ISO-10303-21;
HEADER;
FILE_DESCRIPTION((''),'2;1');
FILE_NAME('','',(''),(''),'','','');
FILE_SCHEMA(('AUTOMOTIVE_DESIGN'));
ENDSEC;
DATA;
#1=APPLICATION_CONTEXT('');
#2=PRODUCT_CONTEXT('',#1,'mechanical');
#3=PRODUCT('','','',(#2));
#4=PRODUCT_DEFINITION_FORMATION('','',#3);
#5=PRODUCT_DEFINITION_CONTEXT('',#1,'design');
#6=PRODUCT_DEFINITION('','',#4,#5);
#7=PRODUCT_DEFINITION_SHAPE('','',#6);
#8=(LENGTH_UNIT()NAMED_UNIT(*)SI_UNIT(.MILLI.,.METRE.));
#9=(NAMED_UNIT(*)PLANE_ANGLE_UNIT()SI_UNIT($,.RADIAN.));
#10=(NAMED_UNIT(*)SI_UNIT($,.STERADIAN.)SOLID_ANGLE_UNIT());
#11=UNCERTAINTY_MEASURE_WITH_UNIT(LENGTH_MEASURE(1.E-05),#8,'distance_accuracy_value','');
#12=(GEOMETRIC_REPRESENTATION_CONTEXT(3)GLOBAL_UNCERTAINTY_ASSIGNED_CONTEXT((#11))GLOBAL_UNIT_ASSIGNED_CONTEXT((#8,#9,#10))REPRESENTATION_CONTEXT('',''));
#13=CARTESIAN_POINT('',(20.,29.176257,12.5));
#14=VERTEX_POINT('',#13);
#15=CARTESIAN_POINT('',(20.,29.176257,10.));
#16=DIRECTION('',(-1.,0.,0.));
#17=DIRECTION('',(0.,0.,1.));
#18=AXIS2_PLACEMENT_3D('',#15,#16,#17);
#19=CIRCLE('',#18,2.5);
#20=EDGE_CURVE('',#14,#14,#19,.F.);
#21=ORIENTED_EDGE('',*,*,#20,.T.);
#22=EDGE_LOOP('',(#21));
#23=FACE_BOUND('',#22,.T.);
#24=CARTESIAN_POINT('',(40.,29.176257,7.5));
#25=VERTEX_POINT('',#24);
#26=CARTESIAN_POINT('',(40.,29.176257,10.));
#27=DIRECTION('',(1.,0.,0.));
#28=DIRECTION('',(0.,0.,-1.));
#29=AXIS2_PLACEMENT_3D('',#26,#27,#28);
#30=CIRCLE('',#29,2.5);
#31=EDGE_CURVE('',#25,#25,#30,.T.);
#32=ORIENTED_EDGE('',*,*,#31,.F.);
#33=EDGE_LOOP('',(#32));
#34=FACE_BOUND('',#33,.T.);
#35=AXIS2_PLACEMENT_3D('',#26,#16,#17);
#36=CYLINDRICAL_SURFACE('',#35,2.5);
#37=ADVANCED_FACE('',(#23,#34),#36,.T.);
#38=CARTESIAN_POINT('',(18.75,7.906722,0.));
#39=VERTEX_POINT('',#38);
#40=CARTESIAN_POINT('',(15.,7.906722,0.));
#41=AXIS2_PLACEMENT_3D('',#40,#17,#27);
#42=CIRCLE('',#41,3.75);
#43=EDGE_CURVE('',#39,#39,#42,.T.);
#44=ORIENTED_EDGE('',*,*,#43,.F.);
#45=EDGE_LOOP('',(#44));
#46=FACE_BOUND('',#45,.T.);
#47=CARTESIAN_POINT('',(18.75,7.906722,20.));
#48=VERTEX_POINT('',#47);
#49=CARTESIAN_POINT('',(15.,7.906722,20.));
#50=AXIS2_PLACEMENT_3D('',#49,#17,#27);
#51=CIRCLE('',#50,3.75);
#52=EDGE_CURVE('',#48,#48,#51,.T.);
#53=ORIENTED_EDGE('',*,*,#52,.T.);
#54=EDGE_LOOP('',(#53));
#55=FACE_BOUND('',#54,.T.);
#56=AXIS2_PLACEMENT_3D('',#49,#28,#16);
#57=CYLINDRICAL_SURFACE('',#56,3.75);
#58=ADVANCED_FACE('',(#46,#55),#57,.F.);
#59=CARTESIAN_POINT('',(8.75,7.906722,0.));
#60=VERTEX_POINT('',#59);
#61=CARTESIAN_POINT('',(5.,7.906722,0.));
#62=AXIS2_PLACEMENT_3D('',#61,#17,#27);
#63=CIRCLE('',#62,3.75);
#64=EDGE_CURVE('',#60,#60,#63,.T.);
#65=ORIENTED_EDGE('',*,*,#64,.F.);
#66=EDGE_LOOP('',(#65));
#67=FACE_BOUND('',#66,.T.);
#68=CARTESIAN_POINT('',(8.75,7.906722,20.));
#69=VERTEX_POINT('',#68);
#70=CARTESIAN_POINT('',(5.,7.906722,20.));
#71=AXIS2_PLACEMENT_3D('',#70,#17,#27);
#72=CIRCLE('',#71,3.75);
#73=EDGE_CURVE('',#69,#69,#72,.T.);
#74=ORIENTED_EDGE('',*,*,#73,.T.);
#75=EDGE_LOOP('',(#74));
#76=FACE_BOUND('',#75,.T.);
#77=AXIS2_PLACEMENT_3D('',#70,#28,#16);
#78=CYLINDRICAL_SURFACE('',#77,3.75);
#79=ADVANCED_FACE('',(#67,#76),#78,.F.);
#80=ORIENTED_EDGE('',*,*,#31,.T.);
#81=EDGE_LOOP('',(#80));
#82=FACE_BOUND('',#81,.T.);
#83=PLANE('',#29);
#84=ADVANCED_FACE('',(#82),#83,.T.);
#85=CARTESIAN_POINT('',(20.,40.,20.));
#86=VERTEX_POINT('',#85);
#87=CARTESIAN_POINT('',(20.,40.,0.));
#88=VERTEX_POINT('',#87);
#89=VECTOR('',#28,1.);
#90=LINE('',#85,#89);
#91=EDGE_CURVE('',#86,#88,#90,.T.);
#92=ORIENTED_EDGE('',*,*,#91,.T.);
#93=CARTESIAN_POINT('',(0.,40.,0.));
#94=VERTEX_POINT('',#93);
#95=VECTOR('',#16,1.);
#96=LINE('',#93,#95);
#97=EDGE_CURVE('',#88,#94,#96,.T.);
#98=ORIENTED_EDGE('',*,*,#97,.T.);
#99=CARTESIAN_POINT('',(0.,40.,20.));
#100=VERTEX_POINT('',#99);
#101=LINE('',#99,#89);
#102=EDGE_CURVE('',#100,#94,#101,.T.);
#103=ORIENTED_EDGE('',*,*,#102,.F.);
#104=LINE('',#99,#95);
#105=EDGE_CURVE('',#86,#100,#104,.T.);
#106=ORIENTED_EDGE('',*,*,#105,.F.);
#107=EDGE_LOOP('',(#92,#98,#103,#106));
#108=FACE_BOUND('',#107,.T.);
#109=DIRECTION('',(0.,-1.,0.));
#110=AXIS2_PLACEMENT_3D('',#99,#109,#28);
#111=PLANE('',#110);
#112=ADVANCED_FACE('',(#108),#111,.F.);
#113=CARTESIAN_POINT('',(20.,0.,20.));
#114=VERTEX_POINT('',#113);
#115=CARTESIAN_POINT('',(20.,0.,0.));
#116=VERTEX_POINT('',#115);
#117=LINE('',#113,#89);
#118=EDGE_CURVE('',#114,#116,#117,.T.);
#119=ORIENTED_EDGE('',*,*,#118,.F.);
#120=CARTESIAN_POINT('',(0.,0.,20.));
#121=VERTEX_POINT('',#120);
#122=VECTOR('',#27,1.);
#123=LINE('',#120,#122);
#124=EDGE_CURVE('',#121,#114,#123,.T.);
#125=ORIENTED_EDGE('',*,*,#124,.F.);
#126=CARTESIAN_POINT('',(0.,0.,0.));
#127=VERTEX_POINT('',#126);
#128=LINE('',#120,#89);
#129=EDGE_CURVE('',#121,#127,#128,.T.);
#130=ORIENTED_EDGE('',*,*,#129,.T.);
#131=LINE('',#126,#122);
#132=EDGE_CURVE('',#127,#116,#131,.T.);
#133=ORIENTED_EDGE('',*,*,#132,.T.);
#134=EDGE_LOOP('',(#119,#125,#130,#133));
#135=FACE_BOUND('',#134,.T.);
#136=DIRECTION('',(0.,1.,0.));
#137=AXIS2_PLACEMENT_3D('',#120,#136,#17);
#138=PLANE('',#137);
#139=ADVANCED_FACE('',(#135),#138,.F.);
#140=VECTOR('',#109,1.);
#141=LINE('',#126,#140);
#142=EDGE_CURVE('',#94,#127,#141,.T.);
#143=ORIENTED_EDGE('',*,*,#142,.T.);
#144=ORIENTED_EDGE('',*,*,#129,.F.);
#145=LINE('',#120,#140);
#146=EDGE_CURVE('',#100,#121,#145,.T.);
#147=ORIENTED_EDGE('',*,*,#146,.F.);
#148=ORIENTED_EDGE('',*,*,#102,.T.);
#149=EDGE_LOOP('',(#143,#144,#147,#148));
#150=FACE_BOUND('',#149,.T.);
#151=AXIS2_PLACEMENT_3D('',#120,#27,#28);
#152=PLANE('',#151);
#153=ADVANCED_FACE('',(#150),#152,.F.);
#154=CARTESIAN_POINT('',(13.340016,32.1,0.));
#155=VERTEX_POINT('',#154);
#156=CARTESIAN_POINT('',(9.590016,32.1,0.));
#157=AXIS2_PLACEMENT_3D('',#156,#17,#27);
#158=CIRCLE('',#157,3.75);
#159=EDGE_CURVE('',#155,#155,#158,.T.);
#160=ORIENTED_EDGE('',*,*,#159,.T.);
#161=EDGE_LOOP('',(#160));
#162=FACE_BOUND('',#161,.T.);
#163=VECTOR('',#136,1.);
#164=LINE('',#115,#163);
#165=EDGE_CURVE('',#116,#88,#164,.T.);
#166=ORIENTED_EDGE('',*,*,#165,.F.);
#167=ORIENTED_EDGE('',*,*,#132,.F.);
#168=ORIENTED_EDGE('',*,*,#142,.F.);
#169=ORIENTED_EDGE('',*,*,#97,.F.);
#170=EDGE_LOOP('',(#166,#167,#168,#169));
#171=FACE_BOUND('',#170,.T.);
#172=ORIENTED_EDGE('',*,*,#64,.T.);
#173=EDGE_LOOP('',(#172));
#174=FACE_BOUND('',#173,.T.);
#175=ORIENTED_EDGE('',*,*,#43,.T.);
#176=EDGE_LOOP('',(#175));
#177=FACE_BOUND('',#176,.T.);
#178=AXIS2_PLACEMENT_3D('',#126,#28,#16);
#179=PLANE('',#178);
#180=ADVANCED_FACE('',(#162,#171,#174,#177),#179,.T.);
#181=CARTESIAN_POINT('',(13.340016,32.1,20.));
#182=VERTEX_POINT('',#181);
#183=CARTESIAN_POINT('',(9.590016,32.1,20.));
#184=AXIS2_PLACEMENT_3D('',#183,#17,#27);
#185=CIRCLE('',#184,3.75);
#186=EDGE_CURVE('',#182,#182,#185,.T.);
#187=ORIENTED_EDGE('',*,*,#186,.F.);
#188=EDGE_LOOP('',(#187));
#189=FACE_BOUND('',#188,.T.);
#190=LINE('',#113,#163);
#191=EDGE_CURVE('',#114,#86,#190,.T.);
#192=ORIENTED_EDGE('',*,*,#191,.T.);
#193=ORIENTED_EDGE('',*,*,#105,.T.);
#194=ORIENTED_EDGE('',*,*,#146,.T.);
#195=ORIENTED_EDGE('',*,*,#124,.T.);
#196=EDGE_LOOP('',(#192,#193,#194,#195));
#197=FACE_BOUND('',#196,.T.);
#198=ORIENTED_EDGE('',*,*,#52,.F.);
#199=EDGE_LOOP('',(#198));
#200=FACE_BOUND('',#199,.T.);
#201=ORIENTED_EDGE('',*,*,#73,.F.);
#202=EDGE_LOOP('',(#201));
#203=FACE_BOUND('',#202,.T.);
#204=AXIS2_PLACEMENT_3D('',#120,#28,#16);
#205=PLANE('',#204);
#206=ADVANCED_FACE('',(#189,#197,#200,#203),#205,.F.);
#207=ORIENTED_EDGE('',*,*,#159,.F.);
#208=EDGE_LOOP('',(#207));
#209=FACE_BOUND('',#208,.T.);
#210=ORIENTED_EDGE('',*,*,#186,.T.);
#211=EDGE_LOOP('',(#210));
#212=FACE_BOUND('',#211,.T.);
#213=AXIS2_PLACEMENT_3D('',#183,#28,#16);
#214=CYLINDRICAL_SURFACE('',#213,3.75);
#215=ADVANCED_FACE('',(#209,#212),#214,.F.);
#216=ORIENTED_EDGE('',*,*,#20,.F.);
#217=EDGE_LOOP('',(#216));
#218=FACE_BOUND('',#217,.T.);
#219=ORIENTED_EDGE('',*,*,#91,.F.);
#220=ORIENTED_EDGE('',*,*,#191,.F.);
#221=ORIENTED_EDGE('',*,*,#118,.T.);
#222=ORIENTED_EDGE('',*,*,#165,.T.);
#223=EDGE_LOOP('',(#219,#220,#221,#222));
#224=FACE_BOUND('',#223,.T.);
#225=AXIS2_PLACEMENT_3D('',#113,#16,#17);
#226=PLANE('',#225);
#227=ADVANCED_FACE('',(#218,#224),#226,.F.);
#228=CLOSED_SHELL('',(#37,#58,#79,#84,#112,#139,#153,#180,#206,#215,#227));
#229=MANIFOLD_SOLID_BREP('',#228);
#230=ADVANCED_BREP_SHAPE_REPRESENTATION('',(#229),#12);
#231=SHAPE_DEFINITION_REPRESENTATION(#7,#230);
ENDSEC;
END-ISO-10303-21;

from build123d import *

# Parameters (mm, degrees)
SKETCH7_W           = 20
SKETCH7_H           = 40
SKETCH7_R           = 3.75
BOSS_EXTRUDE4_DEPTH = 20
SKETCH8_R           = 2.5
BOSS_EXTRUDE5_DEPTH = 20


with BuildPart() as part:
    # Sketch7 → Boss-Extrude4 (new body)
    with BuildSketch(Plane.XY):
        with Locations((10, 20)):
            Rectangle(SKETCH7_W, SKETCH7_H)
        with Locations((15, 7.90672248)):
            Circle(SKETCH7_R, mode=Mode.SUBTRACT)
        with Locations((5, 7.90672248)):
            Circle(SKETCH7_R, mode=Mode.SUBTRACT)
        with Locations((9.590015998, 32.1)):
            Circle(SKETCH7_R, mode=Mode.SUBTRACT)
    extrude(amount=BOSS_EXTRUDE4_DEPTH)

    # Sketch8 → Boss-Extrude5 (add)
    with BuildSketch(Plane(origin=(20, 0, 0), x_dir=(0, 0, -1), z_dir=(1, 0, 0))):
        with Locations(Location((-10, 29.176257045, 0), (0, 0, 180))):
            Circle(SKETCH8_R)
    extrude(amount=BOSS_EXTRUDE5_DEPTH)


solid = part.part
